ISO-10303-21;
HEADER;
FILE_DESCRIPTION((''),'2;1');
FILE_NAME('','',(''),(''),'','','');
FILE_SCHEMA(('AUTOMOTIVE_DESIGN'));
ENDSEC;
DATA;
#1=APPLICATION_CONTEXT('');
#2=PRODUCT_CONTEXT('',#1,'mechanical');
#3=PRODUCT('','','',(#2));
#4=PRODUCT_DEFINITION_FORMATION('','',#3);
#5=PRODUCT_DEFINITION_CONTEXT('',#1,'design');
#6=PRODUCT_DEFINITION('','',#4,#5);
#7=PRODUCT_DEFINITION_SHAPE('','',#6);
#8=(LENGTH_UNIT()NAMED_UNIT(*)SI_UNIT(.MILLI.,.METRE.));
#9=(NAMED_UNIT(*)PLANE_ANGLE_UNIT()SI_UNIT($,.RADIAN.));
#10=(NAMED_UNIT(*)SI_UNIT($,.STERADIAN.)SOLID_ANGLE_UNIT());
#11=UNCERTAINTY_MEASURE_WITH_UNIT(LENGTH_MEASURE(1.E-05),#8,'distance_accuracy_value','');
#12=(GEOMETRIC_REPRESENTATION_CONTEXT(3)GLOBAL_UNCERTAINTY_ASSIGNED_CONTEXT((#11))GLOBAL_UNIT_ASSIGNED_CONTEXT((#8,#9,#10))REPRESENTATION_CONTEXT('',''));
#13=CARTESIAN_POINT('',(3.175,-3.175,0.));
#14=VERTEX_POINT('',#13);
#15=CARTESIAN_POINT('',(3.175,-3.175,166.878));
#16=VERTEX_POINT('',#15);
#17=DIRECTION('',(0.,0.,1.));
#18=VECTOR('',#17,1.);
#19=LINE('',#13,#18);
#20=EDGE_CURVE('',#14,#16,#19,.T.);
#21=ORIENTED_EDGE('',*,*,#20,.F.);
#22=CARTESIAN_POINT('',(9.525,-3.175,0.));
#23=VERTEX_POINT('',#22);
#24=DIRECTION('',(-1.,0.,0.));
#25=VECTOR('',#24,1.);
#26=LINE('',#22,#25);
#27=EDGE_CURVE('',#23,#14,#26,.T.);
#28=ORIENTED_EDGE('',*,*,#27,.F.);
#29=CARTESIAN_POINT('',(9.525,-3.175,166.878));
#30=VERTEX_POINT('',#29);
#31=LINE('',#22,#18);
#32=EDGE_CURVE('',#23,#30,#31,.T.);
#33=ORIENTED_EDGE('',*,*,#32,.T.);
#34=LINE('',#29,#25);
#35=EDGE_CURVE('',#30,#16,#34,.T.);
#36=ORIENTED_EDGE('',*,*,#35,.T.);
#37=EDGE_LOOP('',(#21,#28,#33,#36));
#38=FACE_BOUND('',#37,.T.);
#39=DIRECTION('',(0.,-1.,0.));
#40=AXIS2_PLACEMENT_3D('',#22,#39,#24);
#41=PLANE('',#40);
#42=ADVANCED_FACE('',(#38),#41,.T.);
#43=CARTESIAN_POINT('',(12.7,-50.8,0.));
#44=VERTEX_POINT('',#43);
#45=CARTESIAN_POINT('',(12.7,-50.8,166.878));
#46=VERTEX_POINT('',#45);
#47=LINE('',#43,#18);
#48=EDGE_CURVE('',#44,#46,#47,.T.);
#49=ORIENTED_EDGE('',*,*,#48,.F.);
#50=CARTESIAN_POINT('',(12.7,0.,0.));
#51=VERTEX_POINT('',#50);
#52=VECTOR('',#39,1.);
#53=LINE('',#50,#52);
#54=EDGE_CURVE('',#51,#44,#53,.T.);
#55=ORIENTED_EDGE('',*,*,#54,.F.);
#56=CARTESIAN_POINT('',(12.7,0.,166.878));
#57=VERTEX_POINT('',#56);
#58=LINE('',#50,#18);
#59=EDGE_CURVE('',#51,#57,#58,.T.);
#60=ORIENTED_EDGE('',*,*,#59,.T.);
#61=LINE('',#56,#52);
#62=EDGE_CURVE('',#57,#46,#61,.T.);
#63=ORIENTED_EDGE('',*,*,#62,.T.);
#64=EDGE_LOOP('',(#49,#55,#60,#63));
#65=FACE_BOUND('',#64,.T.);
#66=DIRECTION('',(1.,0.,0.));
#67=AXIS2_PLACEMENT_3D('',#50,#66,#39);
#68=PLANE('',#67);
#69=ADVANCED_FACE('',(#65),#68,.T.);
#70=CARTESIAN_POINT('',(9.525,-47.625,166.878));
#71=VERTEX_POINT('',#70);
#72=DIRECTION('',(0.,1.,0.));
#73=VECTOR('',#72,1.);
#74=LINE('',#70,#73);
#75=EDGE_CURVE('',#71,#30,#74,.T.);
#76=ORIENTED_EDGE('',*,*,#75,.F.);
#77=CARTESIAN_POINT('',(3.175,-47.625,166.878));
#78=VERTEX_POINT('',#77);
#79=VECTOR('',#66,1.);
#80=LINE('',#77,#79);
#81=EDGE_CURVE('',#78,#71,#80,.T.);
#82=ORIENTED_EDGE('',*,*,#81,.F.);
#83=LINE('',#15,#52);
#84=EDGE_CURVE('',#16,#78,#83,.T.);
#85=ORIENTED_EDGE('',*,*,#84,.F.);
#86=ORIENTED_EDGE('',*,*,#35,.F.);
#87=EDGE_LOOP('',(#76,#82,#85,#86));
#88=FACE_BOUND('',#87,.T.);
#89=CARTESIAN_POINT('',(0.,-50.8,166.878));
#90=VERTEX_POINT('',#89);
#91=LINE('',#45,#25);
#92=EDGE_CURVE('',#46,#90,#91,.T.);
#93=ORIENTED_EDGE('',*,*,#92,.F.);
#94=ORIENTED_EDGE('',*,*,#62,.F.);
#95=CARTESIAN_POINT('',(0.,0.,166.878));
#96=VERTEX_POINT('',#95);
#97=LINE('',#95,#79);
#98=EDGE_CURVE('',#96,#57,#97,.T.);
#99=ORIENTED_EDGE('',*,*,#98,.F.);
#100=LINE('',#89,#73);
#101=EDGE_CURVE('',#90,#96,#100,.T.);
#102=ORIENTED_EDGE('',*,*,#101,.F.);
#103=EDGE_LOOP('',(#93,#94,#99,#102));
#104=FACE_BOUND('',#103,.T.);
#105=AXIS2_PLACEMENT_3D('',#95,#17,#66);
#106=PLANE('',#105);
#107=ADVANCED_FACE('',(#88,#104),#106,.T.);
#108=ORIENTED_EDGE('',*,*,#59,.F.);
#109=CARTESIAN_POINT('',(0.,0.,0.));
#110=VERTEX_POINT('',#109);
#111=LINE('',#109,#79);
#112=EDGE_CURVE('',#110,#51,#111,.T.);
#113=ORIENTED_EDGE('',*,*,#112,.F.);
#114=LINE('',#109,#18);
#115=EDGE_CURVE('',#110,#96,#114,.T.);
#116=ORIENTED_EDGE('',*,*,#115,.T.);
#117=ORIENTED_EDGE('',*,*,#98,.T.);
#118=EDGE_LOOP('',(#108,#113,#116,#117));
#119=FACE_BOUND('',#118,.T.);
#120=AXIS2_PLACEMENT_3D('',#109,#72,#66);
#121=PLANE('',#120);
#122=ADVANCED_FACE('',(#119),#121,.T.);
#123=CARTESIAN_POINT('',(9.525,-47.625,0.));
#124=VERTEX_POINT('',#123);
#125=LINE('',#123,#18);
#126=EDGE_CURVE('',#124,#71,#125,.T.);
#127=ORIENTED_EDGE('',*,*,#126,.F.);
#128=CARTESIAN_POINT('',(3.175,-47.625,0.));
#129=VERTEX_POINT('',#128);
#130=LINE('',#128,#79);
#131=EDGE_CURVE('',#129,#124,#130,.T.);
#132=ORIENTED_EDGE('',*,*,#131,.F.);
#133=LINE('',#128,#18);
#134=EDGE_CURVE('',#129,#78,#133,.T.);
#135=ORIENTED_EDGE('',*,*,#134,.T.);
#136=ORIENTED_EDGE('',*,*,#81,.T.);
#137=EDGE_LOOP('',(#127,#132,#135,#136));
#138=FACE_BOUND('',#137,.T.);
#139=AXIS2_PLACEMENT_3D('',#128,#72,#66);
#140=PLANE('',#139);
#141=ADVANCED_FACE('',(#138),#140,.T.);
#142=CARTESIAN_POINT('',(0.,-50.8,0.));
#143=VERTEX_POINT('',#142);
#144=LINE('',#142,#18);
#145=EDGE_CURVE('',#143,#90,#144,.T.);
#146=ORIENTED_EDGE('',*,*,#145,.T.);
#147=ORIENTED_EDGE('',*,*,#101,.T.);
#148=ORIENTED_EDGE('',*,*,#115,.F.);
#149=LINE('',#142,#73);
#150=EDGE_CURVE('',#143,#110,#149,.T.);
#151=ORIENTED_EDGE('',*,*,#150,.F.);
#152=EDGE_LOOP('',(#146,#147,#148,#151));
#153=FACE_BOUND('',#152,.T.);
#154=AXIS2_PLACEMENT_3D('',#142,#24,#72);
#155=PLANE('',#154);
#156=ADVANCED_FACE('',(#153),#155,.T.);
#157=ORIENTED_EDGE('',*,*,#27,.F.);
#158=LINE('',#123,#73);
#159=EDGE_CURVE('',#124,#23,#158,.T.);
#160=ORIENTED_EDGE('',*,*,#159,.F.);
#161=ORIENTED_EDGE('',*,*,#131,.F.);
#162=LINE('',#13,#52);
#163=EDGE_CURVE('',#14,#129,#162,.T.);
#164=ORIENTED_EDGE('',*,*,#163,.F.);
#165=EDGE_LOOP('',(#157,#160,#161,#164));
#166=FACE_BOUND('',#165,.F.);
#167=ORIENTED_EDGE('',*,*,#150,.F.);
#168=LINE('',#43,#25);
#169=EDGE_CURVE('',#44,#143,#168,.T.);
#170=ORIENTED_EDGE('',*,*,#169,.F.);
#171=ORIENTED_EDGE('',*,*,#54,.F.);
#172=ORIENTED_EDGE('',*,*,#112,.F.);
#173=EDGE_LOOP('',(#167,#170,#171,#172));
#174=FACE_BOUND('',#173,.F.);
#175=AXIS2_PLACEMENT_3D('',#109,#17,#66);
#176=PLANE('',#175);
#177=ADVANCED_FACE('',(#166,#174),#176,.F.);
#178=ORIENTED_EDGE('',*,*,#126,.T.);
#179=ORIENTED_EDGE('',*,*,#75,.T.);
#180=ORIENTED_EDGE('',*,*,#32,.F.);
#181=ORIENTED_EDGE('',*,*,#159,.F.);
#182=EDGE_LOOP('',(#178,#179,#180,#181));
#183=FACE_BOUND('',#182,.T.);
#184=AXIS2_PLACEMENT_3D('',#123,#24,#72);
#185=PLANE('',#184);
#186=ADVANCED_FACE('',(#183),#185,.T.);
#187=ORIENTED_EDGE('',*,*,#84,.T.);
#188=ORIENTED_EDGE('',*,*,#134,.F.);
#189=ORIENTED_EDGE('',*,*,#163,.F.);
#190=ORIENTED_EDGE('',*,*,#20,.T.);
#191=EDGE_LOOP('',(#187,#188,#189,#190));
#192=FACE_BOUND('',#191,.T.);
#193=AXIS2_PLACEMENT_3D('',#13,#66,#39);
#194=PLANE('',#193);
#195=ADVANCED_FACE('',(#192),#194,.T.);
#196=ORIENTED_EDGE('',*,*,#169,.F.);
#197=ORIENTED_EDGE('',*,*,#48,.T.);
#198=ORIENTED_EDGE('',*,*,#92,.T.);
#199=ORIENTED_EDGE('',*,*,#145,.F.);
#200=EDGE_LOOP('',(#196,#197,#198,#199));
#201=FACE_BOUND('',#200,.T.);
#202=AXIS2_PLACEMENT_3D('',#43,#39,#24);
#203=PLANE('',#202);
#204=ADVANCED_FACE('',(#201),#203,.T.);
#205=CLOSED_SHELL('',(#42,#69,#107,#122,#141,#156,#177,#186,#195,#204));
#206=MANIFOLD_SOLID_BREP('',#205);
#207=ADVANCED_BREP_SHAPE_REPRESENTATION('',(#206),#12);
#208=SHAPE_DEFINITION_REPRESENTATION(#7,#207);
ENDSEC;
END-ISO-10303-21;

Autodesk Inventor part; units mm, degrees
ref_plane "YZ Plane" through (0, 0, 0) normal (1, 0, 0) x (0, 1, 0)
ref_plane "XZ Plane" through (0, 0, 0) normal (0, 1, 0) x (-1, 0, 0)
ref_plane "XY Plane" through (0, 0, 0) normal (0, 0, 1) x (1, 0, 0)
sketch "Sketch1" plane through (0, 0, 0) normal (0, 0, 1) x (1, 0, 0)
  line L0 (0, 0) -> (12.7, 0)
  line L1 (12.7, 0) -> (12.7, -50.8)
  line L2 (12.7, -50.8) -> (0, -50.8)
  line L3 (0, -50.8) -> (0, 0)
  line L4 (9.525, -3.175) -> (3.175, -3.175)
  line L5 (3.175, -3.175) -> (3.175, -47.625)
  line L6 (3.175, -47.625) -> (9.525, -47.625)
  line L7 (9.525, -47.625) -> (9.525, -3.175)
  dimension "d0" = 12.7
  dimension "d1" = 50.8
  dimension "d2" = 3.175
extrude "Extrusion1" add sketch "Sketch1" along normal blind 166.878
properties part number "Battery Mount Horz"
